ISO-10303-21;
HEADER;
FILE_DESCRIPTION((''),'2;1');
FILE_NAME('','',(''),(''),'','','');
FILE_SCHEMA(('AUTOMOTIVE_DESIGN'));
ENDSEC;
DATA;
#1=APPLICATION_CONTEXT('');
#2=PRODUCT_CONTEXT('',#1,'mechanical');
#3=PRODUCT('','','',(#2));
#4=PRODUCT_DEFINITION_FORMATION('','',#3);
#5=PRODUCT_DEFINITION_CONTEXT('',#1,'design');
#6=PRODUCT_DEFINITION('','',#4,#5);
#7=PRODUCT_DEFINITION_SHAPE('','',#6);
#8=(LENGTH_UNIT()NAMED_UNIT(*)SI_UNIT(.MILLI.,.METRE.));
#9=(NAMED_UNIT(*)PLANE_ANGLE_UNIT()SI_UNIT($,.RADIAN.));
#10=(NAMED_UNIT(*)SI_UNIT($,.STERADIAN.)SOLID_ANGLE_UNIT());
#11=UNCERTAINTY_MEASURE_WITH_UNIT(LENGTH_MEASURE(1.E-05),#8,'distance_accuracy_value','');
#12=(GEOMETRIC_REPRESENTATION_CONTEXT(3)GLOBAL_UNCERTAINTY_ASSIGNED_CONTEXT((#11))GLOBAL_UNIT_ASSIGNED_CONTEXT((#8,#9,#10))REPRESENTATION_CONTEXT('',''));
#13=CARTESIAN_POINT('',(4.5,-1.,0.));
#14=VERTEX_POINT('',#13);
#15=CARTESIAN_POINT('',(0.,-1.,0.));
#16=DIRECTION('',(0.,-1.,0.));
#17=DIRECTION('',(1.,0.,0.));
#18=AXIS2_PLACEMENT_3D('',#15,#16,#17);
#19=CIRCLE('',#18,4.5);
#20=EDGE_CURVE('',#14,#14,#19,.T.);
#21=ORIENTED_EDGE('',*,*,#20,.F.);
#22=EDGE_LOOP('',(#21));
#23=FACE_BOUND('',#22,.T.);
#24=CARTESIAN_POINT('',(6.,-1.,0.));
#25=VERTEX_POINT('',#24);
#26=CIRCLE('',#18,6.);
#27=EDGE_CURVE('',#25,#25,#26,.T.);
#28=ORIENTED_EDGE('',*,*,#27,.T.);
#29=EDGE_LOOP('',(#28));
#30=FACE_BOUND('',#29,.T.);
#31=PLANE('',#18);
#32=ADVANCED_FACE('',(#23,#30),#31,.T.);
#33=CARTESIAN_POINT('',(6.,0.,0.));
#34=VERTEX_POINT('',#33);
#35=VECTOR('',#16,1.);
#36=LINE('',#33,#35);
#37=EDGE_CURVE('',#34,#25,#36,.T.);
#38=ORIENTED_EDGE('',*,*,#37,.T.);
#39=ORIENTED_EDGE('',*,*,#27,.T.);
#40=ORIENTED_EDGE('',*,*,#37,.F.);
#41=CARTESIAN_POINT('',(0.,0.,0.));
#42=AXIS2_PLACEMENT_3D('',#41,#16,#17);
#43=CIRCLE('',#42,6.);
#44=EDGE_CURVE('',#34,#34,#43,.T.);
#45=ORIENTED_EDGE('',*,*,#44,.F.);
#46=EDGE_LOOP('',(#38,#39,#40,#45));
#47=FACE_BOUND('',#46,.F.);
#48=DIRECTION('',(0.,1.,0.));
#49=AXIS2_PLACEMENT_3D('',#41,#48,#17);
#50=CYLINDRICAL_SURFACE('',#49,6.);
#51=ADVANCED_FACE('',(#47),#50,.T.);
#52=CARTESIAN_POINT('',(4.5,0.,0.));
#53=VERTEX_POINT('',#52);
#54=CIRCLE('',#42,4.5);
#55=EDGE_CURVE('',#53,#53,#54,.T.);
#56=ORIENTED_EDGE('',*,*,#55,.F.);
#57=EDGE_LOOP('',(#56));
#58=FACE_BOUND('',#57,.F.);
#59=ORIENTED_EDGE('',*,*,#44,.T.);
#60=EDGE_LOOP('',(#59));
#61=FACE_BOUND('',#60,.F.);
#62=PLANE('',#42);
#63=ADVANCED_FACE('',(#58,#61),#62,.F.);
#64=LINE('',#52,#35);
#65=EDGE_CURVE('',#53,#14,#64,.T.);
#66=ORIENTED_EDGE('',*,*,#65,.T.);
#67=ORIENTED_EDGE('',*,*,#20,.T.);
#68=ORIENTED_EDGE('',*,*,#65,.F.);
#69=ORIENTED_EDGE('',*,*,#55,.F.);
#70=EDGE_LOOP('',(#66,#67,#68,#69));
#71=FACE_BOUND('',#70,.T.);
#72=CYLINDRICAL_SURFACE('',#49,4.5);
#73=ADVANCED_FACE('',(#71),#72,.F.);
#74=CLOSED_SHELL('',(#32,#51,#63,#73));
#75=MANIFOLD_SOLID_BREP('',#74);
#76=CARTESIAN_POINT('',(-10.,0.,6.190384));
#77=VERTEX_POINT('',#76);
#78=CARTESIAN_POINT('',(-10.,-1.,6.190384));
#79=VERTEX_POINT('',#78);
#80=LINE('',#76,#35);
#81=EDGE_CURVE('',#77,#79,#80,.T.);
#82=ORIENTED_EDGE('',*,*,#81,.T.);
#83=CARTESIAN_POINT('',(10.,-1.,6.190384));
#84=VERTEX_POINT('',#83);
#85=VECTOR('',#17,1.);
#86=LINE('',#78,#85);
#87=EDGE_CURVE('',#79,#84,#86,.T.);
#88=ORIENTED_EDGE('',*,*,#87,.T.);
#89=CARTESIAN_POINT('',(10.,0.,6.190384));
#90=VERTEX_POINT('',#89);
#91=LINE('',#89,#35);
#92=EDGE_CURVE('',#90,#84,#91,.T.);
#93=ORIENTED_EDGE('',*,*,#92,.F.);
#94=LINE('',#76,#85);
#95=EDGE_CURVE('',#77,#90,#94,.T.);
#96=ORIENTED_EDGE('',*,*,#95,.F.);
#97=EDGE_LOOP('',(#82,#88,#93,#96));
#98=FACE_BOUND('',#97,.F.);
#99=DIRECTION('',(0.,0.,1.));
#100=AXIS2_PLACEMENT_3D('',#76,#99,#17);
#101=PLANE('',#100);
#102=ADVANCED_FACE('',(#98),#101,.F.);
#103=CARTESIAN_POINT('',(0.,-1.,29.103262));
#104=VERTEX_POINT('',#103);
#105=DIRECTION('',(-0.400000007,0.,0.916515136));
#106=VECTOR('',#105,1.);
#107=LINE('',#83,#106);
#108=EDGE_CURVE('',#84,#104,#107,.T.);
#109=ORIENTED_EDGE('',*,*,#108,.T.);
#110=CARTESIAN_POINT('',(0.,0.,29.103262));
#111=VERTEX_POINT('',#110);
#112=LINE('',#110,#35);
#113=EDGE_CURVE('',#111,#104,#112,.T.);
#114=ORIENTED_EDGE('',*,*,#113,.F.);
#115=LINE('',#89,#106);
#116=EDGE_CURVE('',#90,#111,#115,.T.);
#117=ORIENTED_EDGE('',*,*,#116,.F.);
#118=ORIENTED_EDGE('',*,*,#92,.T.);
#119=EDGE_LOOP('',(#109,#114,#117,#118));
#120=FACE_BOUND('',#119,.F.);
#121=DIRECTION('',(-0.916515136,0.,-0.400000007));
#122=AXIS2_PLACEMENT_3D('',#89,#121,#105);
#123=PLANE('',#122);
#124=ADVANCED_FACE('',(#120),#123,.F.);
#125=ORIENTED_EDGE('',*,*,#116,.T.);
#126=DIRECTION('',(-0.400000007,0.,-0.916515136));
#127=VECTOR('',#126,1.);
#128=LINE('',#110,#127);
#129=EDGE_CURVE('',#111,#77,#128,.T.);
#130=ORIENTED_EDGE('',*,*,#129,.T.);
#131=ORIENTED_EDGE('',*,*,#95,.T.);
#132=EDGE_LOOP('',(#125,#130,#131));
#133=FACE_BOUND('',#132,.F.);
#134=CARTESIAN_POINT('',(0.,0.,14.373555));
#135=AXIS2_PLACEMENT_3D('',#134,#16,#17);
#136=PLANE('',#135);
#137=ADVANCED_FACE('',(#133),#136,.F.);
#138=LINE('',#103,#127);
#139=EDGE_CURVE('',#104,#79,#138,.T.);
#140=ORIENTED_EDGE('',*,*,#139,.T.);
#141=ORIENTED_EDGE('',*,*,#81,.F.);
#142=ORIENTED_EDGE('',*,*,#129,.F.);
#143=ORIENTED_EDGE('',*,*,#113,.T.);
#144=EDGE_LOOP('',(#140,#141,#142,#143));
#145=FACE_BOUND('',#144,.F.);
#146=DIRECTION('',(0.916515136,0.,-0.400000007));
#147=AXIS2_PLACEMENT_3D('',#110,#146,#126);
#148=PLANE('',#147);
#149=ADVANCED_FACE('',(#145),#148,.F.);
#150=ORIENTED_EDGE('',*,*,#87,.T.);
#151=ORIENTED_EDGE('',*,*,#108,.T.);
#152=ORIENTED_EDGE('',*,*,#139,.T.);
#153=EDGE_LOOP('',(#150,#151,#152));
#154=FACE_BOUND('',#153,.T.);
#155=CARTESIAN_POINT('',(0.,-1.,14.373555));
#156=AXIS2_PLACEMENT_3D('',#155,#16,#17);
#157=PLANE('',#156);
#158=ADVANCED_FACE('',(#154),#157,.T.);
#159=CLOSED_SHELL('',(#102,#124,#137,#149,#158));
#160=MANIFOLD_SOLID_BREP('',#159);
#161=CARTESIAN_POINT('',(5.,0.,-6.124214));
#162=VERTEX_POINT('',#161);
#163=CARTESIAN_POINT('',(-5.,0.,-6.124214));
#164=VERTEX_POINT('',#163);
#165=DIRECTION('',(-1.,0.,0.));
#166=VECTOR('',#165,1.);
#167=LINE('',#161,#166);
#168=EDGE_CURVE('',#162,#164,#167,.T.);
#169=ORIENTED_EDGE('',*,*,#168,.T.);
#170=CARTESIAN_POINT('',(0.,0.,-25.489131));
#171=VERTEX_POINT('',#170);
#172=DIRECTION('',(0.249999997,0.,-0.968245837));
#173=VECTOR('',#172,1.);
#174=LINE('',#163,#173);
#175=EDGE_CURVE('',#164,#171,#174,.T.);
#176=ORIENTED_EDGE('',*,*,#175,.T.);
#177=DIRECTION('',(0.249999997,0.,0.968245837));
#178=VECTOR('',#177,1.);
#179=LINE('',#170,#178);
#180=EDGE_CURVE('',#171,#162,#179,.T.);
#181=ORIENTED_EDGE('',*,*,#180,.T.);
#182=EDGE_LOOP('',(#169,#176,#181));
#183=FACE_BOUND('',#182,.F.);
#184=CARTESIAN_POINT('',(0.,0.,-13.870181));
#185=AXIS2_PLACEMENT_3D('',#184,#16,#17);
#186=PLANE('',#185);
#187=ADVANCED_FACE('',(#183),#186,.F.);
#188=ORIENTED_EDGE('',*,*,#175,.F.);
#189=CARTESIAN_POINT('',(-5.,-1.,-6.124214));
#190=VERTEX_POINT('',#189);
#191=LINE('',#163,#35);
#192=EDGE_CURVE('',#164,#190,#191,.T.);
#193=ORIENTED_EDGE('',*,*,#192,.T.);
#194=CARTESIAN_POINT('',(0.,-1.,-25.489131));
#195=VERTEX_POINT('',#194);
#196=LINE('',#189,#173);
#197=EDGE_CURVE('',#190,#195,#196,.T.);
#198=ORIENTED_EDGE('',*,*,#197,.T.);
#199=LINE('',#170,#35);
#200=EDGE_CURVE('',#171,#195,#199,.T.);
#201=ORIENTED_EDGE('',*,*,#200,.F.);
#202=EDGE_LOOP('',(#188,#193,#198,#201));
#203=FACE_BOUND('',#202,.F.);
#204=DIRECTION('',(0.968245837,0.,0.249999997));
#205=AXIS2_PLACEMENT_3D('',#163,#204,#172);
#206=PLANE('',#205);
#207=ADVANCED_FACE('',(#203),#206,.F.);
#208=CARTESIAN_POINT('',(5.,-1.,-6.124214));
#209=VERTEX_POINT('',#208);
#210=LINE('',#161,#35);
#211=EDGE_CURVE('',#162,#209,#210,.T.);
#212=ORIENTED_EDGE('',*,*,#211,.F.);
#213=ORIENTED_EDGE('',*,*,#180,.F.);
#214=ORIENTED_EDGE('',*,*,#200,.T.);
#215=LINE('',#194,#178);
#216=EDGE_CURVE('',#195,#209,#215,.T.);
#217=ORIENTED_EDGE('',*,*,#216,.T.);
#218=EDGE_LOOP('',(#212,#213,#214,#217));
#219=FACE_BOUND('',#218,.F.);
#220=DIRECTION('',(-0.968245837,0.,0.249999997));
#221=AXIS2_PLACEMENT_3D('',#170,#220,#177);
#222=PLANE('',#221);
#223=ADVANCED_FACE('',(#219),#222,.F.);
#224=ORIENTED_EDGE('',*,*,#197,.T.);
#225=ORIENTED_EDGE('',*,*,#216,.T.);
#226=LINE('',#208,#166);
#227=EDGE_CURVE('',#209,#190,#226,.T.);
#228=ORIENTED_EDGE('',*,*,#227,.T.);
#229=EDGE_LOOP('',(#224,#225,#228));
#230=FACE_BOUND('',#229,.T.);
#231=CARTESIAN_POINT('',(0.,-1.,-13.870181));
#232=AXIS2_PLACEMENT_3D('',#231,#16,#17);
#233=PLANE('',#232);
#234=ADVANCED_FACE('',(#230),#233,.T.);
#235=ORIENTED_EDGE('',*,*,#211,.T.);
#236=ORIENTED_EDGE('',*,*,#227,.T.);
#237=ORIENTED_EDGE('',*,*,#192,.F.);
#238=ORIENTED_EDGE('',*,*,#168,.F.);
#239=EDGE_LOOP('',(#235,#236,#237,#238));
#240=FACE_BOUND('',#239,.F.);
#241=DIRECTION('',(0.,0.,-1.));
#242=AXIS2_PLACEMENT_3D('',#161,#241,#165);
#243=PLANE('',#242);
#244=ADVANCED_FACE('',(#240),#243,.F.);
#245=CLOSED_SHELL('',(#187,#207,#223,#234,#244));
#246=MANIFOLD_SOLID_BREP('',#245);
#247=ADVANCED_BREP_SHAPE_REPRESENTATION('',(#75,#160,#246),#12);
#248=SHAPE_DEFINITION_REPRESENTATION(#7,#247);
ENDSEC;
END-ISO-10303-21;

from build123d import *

# Parameters (mm, degrees)
F0_R     = 6
F0_R_2   = 4.5
F1_DEPTH = 1


with BuildPart() as f1:
    # F0 (on Front) → F1 (new body)
    with BuildSketch(Plane.XZ):
        Circle(F0_R)
        Circle(F0_R_2, mode=Mode.SUBTRACT)
        Polygon((5, -6.124214), (-5, -6.124214), (0, -25.489131), align=None)
        Polygon((0, 29.103262), (-10, 6.190384), (10, 6.190384), align=None)
    extrude(amount=F1_DEPTH)


solid = f1.part
